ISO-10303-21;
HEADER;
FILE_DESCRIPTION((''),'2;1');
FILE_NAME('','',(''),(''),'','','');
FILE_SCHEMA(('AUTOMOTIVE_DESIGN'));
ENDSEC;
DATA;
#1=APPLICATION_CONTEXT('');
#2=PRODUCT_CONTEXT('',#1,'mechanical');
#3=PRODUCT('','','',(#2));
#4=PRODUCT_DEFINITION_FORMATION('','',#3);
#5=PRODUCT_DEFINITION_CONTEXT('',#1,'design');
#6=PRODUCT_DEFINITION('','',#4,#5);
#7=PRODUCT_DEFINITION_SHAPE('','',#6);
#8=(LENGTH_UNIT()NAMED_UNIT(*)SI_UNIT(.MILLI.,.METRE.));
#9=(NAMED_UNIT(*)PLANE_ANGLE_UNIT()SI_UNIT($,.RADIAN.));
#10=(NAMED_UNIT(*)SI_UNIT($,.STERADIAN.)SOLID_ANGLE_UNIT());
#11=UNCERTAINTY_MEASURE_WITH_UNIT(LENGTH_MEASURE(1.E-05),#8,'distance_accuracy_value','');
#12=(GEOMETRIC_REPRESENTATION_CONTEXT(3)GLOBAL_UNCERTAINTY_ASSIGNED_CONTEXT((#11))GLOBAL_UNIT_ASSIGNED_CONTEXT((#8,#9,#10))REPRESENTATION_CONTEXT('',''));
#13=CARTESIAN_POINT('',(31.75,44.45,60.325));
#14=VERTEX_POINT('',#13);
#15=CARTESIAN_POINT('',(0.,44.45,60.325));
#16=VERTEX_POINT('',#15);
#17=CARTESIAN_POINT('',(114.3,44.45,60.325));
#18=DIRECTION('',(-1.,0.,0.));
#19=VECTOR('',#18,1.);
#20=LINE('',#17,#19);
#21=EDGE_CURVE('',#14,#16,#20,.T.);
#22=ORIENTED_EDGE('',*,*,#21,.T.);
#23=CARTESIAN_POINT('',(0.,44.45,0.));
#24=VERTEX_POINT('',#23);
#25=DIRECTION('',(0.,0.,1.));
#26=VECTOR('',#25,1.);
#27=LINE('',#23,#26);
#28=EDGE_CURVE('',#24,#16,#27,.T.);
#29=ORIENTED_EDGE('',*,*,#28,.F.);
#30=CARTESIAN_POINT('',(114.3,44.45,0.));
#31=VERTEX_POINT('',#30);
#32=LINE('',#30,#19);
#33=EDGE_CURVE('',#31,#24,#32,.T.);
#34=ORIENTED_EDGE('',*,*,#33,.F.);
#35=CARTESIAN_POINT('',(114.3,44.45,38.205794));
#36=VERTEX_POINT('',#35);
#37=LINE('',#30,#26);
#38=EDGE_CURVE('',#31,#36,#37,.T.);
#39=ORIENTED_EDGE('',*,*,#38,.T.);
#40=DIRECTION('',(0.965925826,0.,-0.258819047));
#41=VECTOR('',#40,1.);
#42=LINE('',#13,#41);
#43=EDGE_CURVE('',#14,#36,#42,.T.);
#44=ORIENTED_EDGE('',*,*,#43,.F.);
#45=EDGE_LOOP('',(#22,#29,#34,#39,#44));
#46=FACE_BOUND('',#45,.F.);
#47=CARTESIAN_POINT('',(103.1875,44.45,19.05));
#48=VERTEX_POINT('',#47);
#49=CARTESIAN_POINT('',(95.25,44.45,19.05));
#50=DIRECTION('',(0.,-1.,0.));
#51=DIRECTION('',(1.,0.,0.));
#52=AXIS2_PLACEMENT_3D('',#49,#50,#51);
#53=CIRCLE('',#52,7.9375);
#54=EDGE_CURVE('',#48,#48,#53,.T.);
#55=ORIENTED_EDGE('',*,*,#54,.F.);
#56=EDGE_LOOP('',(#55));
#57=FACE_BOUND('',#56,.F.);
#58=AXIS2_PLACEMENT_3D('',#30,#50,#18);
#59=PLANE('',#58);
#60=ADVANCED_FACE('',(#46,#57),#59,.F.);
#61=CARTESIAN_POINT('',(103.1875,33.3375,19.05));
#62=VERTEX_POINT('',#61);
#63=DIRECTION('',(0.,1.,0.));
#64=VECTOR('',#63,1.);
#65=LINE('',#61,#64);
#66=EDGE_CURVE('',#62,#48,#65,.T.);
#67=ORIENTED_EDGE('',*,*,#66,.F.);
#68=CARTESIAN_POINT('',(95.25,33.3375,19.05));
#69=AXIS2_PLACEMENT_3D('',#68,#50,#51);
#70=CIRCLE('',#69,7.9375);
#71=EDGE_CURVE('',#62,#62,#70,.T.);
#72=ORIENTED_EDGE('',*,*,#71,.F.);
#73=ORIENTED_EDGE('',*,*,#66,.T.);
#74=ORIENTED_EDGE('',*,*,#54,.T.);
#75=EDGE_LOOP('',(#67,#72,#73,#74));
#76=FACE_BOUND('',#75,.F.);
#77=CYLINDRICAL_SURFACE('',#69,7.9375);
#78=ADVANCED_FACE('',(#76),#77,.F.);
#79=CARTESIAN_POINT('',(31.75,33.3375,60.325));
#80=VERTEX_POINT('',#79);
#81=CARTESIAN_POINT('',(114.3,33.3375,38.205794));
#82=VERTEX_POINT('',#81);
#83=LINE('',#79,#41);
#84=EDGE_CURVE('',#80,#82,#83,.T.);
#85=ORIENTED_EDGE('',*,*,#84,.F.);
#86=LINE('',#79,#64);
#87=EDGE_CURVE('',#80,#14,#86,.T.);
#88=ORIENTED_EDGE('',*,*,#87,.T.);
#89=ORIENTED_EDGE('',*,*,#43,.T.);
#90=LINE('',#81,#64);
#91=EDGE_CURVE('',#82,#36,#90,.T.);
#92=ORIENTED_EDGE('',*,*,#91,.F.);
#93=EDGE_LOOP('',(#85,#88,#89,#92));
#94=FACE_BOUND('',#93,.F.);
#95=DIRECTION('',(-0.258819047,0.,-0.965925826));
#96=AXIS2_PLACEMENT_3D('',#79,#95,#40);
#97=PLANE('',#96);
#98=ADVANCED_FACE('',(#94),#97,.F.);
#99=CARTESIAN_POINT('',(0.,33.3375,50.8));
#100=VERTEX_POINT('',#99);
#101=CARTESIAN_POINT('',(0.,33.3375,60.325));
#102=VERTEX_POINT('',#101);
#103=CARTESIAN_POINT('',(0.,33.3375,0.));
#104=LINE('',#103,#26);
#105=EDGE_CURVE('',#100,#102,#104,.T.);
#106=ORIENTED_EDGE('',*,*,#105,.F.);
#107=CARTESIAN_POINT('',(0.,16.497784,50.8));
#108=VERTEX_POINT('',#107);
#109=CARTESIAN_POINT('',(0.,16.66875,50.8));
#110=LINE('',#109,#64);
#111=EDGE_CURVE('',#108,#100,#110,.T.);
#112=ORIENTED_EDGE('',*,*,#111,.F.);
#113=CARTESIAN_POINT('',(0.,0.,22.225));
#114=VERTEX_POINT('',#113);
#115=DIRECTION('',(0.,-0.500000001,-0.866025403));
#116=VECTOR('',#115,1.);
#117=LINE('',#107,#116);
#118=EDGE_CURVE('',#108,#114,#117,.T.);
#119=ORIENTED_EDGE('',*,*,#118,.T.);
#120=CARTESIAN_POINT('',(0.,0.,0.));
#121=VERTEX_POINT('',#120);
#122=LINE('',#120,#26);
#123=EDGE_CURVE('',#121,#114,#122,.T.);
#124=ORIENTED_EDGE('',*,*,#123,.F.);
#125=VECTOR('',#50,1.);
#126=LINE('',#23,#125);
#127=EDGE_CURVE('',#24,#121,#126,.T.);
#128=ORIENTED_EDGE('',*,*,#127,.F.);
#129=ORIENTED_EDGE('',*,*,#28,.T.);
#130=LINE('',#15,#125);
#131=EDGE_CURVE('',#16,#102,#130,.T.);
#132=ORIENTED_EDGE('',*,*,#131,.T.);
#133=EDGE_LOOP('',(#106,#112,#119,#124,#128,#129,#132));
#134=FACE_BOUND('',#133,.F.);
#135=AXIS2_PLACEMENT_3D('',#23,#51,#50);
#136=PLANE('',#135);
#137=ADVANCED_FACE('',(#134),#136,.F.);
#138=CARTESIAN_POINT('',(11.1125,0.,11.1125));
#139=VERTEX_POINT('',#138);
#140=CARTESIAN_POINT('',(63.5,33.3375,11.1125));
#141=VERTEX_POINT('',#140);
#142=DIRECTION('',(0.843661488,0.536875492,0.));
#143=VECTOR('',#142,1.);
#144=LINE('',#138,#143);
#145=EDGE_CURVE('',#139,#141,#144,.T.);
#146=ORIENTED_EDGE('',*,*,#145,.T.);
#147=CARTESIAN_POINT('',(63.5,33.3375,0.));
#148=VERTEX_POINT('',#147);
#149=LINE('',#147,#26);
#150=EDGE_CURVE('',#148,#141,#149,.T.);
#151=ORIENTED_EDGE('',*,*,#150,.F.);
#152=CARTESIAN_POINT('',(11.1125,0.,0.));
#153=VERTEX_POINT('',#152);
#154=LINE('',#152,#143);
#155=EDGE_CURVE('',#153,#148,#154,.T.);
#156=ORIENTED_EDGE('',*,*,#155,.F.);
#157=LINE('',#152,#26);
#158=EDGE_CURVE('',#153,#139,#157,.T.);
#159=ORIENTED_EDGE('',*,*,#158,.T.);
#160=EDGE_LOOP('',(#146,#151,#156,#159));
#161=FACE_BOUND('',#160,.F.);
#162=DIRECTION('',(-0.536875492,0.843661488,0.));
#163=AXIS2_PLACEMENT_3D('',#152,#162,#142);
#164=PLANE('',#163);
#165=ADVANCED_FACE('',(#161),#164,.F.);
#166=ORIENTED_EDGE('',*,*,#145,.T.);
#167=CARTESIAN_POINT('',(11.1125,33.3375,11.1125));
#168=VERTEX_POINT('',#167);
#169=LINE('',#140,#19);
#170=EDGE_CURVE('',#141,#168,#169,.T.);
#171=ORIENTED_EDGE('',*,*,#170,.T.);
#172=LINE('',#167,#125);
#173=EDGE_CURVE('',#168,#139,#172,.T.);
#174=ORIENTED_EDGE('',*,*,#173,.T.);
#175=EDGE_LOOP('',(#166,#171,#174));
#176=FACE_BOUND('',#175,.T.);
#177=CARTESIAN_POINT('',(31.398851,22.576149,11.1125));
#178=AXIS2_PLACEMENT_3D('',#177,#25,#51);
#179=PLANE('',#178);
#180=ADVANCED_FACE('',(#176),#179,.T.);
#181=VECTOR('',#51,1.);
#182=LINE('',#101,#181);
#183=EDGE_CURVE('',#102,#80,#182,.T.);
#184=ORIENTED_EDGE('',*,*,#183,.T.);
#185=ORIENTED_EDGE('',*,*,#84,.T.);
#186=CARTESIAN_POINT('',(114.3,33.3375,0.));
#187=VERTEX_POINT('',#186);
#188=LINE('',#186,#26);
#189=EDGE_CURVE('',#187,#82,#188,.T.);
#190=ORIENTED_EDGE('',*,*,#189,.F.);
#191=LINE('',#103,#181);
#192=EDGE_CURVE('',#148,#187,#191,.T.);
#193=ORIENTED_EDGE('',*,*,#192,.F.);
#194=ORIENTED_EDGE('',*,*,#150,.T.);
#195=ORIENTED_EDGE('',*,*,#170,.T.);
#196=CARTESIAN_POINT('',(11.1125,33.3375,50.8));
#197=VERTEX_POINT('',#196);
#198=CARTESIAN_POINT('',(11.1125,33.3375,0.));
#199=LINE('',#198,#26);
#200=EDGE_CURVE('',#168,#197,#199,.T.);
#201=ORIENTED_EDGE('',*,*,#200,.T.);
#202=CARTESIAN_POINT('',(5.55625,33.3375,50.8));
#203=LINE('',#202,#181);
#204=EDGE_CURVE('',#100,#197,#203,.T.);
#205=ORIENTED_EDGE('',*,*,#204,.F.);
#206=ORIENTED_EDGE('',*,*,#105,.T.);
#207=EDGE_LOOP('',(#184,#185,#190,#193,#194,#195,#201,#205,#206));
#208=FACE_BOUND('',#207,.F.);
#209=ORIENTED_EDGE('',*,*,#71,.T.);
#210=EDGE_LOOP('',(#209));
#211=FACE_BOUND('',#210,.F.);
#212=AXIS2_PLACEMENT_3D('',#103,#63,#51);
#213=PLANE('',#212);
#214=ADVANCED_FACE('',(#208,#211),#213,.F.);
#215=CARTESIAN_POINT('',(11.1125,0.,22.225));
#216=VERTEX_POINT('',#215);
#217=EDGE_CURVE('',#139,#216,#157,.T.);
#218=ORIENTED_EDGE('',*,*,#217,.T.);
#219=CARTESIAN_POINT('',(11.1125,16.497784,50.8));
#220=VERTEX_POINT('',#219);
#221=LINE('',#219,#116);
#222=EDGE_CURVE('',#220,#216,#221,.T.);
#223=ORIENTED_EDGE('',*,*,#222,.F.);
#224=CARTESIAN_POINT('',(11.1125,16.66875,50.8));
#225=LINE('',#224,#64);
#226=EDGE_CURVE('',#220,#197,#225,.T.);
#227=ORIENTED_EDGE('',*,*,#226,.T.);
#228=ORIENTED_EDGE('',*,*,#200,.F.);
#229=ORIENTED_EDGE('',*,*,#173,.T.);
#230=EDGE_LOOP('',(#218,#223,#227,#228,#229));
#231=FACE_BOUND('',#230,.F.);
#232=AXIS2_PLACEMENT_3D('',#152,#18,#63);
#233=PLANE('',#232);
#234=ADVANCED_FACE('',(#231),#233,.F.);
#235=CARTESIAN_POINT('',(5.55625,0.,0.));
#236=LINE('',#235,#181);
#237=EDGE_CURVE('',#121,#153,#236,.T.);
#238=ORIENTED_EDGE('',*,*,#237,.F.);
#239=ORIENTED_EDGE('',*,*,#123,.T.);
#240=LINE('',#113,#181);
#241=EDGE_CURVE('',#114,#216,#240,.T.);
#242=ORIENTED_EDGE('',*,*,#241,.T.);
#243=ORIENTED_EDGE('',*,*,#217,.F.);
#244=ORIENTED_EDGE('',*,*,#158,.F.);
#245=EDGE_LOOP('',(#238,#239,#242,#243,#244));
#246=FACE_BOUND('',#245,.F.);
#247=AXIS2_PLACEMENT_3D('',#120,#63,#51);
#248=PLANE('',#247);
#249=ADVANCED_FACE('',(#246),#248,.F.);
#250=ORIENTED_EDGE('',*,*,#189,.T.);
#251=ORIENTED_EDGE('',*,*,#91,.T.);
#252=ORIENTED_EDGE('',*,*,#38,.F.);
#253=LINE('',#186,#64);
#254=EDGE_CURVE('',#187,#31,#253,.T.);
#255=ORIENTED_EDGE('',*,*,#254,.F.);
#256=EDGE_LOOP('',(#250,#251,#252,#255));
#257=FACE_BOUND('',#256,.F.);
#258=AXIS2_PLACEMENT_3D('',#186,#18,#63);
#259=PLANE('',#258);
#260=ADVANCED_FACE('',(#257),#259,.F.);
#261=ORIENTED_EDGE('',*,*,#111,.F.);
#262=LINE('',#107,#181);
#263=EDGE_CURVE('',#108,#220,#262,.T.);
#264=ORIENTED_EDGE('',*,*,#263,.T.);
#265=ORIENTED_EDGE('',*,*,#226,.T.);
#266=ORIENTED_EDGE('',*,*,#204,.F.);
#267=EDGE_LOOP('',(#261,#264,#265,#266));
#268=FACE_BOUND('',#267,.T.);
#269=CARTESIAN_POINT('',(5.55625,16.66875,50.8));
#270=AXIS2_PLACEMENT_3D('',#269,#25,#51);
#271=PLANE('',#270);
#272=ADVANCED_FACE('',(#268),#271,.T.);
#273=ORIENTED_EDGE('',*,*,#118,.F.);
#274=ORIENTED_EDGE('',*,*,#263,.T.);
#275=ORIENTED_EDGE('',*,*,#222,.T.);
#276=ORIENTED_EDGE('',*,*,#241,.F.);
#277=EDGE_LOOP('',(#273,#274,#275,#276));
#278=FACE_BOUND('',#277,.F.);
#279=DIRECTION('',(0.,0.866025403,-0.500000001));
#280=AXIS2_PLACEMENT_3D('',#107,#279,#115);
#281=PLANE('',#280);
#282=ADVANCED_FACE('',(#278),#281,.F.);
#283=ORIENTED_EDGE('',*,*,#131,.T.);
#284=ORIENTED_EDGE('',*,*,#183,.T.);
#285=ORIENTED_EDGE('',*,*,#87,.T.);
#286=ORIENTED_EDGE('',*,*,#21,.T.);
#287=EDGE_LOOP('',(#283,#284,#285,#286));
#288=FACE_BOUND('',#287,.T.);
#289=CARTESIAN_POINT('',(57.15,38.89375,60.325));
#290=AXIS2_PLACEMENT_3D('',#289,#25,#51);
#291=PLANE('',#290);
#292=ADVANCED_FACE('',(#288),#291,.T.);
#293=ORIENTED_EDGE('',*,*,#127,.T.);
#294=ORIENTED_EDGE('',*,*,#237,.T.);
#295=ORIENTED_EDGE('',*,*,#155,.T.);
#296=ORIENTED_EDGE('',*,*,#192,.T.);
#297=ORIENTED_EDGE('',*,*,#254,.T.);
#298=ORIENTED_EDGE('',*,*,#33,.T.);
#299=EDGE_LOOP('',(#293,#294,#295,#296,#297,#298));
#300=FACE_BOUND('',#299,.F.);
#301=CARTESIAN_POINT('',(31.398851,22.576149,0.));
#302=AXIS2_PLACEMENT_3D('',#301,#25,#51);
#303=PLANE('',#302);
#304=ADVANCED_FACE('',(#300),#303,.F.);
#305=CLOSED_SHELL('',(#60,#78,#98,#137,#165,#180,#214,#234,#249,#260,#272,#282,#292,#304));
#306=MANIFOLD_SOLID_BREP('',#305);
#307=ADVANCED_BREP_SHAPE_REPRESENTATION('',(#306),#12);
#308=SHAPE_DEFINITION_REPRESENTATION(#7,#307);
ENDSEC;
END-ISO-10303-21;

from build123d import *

# Parameters (mm, degrees)
F0_W     = 11.1125
F0_H     = 33.3375
F1_DEPTH = 50.8
F2_DEPTH = 60.325
F3_DEPTH = 11.1125
F5_DEPTH = 11.1125
F4_R     = 7.9375
F6_DEPTH = 11.1125
F8_DEPTH = 11.1125


with BuildPart() as f1:
    # F0 (on Top) → F1 (new body)
    with BuildSketch(Plane.XY):
        with Locations((5.55625, 16.66875)):
            Rectangle(F0_W, F0_H)
    extrude(amount=F1_DEPTH)

    # F0 (on Top) → F2 (join)
    with BuildSketch(Plane.XY):
        Polygon((0, 44.45), (0, 33.3375), (11.1125, 33.3375), (63.5, 33.3375), (114.3, 33.3375), (114.3, 44.45), align=None)
    extrude(amount=F2_DEPTH)

    # F0 (on Top) → F3 (join)
    with BuildSketch(Plane.XY):
        Polygon((11.1125, 33.3375), (11.1125, 0), (63.5, 33.3375), align=None)
    extrude(amount=F3_DEPTH)

    # F4 (on face) → F5 (cut)
    with BuildSketch(Plane.XZ.offset(-33.3375)):
        Polygon((114.3, 60.325), (31.75, 60.325), (114.3, 38.205794), align=None)
    extrude(amount=-F5_DEPTH, mode=Mode.SUBTRACT)

    # F4 (on face) → F6 (cut)
    with BuildSketch(Plane.XZ.offset(-33.3375)):
        with Locations((95.25, 19.05)):
            Circle(F4_R)
    extrude(amount=-F6_DEPTH, mode=Mode.SUBTRACT)

    # F7 (on face) → F8 (cut)
    with BuildSketch(Plane(origin=(0, 0, 0), x_dir=(0, -1, 0), z_dir=(-1, 0, 0))):
        Polygon((-16.497784, 50.8), (0, 22.225), (0, 50.8), align=None)
    extrude(amount=-F8_DEPTH, mode=Mode.SUBTRACT)


solid = f1.part
